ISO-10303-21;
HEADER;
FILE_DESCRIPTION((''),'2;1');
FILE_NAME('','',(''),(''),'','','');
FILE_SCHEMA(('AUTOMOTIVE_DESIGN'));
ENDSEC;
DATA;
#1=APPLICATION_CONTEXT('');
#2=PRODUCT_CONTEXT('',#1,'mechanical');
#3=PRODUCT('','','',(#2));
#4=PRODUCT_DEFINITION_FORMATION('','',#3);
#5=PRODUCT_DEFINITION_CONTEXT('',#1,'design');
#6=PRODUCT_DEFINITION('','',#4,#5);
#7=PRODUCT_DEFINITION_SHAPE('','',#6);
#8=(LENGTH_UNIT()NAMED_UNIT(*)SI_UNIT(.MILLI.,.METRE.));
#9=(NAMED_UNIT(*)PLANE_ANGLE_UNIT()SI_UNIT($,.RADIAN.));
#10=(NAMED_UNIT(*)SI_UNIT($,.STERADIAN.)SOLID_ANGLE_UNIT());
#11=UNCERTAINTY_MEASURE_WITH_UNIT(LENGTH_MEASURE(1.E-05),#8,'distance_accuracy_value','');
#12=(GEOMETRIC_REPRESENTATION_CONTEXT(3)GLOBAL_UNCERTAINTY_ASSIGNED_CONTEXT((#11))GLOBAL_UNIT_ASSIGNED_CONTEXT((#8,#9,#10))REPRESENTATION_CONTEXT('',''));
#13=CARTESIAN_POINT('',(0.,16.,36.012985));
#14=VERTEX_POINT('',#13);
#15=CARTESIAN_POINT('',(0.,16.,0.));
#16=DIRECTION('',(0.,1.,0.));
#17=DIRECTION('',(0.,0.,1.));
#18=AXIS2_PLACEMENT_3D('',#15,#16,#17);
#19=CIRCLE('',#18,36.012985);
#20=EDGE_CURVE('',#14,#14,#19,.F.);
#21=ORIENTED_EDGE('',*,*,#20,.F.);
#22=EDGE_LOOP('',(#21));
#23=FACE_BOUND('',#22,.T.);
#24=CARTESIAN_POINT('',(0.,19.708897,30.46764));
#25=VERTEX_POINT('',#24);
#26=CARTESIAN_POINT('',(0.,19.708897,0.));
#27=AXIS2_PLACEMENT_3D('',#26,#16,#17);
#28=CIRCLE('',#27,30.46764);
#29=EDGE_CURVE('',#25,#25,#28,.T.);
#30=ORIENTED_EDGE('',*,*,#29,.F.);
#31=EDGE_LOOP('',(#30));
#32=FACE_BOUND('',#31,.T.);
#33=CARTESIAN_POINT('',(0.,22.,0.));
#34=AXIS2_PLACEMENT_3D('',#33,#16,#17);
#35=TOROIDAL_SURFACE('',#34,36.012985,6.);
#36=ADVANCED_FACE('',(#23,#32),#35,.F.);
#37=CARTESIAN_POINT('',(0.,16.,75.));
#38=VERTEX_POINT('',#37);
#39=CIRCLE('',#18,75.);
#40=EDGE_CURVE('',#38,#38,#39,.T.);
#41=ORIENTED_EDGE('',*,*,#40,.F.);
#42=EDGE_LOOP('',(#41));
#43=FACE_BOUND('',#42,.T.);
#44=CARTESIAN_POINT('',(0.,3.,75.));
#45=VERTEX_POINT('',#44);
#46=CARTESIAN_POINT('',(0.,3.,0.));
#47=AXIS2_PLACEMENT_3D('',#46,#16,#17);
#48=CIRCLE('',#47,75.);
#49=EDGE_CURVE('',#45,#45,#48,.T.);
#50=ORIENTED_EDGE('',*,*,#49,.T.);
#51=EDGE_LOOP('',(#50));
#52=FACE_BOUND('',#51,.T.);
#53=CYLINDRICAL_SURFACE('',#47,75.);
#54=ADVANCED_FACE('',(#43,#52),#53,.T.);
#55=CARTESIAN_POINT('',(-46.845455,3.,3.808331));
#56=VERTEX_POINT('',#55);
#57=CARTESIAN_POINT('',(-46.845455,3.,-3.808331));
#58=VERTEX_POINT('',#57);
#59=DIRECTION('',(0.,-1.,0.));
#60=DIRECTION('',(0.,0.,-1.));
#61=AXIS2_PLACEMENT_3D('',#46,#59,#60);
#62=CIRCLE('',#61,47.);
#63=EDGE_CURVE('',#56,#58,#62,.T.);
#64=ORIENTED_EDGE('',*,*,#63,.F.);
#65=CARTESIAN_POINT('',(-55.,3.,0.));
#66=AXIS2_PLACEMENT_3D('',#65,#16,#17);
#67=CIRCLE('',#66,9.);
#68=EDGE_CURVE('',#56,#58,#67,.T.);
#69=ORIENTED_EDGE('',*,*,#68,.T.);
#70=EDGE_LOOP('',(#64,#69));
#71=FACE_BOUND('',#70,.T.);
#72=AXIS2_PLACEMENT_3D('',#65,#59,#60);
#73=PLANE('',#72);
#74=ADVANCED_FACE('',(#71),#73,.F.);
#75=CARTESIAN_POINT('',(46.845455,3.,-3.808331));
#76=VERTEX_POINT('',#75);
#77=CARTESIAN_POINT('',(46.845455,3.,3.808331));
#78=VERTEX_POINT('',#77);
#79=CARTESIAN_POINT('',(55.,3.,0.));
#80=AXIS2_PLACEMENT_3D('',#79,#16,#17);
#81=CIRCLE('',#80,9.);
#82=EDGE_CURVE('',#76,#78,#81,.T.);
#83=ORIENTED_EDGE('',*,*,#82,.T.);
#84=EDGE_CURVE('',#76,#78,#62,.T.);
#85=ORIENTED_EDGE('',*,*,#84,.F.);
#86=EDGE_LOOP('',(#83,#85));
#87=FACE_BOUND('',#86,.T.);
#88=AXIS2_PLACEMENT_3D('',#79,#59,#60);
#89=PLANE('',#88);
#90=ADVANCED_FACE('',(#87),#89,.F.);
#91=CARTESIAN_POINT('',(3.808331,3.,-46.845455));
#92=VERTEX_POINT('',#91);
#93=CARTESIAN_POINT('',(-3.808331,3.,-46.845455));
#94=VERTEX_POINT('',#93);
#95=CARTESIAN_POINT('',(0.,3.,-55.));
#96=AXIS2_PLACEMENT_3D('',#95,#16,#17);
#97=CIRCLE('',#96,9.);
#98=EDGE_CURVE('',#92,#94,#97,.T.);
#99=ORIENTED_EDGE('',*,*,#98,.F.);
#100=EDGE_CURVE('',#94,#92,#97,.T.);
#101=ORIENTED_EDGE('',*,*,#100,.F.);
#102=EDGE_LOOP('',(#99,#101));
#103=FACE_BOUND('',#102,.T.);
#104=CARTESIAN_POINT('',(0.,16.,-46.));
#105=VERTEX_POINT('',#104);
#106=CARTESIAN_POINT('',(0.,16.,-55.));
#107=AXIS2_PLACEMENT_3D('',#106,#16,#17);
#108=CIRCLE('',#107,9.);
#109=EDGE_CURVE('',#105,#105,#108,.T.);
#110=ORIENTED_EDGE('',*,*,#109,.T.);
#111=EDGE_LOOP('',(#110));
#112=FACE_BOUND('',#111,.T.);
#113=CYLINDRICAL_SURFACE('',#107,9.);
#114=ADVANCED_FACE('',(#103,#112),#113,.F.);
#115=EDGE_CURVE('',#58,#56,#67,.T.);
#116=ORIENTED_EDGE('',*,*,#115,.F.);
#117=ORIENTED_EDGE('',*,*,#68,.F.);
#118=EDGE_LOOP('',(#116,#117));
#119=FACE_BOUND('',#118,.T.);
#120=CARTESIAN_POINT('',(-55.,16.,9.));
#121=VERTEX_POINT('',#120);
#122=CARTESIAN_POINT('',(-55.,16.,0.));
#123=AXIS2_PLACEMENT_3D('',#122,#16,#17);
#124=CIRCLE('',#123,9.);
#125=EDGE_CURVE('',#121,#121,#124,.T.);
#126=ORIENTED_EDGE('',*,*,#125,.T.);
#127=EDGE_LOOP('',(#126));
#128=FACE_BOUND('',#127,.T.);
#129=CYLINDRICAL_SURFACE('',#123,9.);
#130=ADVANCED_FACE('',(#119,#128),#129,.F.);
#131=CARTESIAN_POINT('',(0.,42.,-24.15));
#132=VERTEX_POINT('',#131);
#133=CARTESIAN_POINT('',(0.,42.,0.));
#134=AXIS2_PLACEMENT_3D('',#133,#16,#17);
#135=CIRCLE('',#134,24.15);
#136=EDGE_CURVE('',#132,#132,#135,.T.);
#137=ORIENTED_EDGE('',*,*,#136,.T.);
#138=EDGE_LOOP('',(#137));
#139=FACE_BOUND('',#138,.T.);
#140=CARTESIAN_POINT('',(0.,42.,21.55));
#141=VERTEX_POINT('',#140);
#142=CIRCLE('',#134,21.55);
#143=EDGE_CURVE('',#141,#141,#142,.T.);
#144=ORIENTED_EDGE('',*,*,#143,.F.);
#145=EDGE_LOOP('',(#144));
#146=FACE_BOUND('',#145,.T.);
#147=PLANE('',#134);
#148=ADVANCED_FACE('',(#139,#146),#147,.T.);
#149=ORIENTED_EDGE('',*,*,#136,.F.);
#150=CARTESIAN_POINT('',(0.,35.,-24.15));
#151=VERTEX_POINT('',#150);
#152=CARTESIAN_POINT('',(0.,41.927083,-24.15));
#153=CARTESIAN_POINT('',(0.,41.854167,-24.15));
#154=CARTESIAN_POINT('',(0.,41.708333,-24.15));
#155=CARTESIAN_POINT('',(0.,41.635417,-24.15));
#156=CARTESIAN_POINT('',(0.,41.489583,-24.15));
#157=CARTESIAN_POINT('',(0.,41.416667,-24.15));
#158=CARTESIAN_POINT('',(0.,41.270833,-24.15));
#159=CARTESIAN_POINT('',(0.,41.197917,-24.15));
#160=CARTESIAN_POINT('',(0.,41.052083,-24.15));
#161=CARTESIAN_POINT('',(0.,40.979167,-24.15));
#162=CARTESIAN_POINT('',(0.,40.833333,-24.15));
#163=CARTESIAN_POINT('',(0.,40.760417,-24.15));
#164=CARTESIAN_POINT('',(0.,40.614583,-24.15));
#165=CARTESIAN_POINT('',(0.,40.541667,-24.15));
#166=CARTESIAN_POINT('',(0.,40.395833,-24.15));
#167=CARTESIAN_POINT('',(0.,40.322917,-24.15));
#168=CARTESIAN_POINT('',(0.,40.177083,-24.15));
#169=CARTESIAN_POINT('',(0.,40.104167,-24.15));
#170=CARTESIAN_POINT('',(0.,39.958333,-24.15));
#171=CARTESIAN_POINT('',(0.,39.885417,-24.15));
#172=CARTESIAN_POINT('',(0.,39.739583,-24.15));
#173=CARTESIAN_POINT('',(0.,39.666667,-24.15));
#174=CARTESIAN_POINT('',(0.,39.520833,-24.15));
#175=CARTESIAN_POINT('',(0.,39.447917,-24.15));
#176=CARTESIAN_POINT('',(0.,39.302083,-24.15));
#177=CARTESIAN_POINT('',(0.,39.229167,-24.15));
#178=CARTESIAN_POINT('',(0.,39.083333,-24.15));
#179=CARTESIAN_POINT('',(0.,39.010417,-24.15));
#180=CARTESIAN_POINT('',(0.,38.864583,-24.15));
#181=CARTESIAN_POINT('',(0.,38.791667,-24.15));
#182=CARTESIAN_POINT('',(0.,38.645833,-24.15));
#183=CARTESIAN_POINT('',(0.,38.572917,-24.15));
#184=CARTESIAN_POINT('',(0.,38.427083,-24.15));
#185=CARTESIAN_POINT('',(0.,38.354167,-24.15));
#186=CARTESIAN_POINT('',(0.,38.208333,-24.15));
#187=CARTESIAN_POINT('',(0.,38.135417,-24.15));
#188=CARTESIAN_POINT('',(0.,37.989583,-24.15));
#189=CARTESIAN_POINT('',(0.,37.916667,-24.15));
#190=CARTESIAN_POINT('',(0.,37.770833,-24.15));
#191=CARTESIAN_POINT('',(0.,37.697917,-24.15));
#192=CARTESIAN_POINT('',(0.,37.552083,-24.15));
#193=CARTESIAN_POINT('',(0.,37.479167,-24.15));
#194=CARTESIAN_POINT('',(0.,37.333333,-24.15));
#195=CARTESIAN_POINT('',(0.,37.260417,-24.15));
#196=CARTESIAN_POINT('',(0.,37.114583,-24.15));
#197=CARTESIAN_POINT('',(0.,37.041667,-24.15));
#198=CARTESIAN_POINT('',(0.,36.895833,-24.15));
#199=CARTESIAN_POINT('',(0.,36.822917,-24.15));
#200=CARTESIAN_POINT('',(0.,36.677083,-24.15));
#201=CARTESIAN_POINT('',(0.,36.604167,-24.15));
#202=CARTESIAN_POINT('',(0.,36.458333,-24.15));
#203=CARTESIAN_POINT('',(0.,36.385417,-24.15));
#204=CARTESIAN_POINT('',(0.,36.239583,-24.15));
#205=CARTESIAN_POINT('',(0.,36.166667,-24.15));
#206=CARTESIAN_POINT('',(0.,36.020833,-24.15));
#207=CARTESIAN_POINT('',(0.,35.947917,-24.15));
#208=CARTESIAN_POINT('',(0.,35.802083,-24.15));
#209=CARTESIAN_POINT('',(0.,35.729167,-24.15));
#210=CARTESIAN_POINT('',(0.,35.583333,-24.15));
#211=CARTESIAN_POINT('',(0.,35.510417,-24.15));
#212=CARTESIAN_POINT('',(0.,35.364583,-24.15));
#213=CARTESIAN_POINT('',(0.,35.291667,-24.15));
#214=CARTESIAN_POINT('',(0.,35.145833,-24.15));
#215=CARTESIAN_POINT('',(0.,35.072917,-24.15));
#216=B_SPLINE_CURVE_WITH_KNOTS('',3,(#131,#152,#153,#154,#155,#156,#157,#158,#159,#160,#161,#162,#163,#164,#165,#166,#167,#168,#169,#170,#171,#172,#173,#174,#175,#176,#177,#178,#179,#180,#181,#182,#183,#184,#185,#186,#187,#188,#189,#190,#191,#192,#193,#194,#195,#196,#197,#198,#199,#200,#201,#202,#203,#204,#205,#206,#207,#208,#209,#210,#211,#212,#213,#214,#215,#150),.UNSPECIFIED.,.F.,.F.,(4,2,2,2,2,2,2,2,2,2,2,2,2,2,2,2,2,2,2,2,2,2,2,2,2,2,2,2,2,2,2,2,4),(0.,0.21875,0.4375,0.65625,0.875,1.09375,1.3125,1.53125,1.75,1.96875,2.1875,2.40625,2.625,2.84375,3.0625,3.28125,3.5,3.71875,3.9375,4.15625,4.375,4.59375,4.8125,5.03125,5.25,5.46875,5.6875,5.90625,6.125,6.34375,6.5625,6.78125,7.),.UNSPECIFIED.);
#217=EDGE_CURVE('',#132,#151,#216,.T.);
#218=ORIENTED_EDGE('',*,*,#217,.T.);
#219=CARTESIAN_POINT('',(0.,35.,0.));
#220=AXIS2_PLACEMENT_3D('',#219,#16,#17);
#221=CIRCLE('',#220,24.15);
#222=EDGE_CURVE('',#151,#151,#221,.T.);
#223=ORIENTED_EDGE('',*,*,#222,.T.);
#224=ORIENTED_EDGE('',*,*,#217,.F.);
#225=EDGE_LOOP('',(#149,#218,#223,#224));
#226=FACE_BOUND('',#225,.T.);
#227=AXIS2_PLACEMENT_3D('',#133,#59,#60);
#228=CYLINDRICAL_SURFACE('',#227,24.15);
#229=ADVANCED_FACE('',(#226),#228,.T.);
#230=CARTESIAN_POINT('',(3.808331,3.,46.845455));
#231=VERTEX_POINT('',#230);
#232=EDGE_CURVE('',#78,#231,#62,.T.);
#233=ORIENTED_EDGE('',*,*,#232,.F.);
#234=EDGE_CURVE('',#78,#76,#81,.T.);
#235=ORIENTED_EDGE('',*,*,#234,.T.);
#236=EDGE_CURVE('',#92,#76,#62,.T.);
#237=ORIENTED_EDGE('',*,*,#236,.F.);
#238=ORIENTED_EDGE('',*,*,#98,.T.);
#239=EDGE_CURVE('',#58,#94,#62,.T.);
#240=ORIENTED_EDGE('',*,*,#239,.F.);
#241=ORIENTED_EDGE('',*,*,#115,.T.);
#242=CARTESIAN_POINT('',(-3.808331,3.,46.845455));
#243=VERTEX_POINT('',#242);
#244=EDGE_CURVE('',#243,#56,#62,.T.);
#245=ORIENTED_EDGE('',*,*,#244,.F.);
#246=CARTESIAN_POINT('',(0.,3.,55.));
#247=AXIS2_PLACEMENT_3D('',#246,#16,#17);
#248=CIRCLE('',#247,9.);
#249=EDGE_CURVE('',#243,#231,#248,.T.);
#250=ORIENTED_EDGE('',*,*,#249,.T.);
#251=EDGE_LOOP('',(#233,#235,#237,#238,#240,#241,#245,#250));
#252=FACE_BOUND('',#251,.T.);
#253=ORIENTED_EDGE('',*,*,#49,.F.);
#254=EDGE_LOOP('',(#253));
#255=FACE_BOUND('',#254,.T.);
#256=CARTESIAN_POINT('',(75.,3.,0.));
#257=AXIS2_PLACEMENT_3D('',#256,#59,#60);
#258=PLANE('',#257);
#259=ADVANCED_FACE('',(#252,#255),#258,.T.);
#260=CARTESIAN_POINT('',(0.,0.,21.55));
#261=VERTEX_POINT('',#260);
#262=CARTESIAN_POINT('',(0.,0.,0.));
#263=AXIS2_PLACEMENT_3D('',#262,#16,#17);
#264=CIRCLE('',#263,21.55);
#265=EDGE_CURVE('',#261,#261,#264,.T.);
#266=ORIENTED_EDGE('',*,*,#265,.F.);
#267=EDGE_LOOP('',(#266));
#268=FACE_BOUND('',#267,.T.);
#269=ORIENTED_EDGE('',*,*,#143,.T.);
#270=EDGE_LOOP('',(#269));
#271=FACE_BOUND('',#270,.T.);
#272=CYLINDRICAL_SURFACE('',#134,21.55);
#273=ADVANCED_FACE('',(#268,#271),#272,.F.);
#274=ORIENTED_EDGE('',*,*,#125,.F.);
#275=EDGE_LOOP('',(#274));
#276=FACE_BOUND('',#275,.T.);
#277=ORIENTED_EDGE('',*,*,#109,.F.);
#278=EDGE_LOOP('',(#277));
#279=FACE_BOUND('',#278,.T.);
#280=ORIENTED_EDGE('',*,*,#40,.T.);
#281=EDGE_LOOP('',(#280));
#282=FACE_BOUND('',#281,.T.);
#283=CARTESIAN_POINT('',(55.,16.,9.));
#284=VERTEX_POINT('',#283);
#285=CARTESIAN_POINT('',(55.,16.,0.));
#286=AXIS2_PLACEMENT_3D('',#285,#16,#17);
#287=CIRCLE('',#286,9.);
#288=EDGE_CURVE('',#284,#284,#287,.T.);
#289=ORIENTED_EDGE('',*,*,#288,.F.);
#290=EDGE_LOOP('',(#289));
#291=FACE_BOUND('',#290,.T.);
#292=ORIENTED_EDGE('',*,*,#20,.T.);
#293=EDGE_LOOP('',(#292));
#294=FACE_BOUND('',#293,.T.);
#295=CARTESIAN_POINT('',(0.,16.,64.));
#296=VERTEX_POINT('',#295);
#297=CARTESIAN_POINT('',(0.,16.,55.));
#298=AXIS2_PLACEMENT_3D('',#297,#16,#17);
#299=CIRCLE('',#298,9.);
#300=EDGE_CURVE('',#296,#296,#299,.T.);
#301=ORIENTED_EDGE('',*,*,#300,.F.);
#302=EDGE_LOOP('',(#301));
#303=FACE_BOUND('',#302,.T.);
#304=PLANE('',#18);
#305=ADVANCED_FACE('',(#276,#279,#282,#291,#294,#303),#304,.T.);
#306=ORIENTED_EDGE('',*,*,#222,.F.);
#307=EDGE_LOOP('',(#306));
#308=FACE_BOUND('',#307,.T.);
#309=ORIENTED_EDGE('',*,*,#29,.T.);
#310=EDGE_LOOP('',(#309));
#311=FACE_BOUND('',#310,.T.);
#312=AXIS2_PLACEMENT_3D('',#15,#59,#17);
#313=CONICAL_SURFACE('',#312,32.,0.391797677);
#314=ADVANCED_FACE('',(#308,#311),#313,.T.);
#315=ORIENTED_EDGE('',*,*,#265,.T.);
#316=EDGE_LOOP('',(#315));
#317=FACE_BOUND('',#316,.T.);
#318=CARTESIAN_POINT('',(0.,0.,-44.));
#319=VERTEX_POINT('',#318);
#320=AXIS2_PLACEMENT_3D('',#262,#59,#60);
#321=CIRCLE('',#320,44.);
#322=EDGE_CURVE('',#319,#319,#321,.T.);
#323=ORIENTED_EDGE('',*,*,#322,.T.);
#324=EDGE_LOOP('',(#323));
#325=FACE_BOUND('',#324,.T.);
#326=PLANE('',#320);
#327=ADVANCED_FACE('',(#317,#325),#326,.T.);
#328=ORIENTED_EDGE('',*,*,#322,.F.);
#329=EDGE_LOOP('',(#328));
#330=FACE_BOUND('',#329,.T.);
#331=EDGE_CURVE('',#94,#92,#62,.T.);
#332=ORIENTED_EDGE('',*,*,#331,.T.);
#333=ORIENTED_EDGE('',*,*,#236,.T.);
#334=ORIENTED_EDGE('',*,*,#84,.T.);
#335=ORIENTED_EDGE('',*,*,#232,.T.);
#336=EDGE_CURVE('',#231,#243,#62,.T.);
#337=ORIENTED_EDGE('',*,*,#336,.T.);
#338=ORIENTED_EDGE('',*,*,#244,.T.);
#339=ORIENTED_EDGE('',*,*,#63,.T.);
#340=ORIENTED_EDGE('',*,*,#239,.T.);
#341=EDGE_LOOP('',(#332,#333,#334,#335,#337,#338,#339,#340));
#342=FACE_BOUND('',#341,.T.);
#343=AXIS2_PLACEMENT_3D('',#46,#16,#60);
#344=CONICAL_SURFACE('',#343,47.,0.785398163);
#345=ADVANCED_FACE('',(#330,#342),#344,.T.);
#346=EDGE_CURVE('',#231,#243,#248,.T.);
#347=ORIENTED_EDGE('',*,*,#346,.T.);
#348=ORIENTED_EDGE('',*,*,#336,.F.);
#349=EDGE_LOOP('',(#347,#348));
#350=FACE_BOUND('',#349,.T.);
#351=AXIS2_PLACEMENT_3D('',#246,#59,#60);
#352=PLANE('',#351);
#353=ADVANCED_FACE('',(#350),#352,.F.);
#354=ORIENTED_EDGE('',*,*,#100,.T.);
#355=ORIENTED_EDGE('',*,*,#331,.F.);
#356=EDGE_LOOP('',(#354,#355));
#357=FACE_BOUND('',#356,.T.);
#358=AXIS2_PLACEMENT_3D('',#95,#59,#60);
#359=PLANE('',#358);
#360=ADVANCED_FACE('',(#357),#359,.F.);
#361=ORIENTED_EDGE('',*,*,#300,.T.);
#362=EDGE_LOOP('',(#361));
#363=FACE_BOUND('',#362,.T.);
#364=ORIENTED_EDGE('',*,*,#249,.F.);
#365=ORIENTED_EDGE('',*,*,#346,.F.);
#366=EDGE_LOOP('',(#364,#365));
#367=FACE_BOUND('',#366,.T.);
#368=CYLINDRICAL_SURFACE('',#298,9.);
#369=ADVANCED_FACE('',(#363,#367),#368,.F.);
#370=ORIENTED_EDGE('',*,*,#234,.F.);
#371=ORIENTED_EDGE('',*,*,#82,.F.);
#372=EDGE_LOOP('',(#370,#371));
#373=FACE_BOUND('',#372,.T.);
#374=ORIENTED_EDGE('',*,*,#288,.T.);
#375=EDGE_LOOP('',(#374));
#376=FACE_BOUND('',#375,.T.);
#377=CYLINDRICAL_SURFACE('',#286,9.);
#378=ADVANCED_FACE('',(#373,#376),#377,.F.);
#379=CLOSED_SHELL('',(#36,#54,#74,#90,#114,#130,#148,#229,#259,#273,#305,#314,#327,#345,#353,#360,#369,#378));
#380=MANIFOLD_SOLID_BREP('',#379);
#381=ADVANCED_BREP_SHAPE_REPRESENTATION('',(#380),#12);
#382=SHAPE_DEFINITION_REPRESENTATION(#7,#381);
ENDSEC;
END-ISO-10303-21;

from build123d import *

# Parameters (mm, degrees)
SZKIC1_W                    = 75
SZKIC1_H                    = 13
SZKIC2_R                    = 32
DODANIE_WYCI_GNI_CIE1_DEPTH = 19
DODANIE_WYCI_GNI_CIE1_TAPER = 22.448353305
SZKIC3_R                    = 24.15
DODANIE_WYCI_GNI_CIE2_DEPTH = 7
SZKIC4_R                    = 47
DODANIE_WYCI_GNI_CIE3_DEPTH = 3
DODANIE_WYCI_GNI_CIE3_TAPER = 45
OTW_R_18_0_18_1_D           = 18
OTW_R_18_0_18_1_DEPTH       = 13
OTW_R_POD_RUB_M391_D        = 43.1
ZAOKR_GLENIE1_R             = 6


with BuildPart() as part:
    # Szkic1 → Obrót1 (revolve)
    with BuildSketch(Plane(origin=(0, 0, 0), x_dir=(-1, 0, 0), z_dir=(0, 0, -1)), mode=Mode.PRIVATE) as obr_t1_sk:
        with Locations((-37.5, 9.5)):
            Rectangle(SZKIC1_W, SZKIC1_H)
    revolve(obr_t1_sk.sketch.rotate(Axis((0, 3, 0), (0, 1, 0)), 270), axis=Axis((0, 3, 0), (0, 1, 0)))

    # Szkic2 → Dodanie-wyciągnięcie1 (add)
    with BuildSketch(Plane(origin=(0, 16, 0), x_dir=(-1, 0, 0), z_dir=(0, 1, 0))):
        Circle(SZKIC2_R)
    extrude(amount=DODANIE_WYCI_GNI_CIE1_DEPTH, taper=DODANIE_WYCI_GNI_CIE1_TAPER)

    # Szkic3 → Dodanie-wyciągnięcie2 (add)
    with BuildSketch(Plane(origin=(0, 35, 0), x_dir=(-1, 0, 0), z_dir=(0, 1, 0))):
        with Locations(Location((0, 0, 0), (0, 0, 270))):
            Circle(SZKIC3_R)
    extrude(amount=DODANIE_WYCI_GNI_CIE2_DEPTH)

    # Szkic4 → Dodanie-wyciągnięcie3 (add)
    with BuildSketch(Plane.XZ.offset(-3)):
        Circle(SZKIC4_R)
    extrude(amount=DODANIE_WYCI_GNI_CIE3_DEPTH, taper=DODANIE_WYCI_GNI_CIE3_TAPER)

    # Otwór Ø18.0 (18)1
    with Locations(Plane(origin=(0, 16, 0), x_dir=(1, 0, 0), z_dir=(0, 1, 0))):
        with Locations((-55, 0), (55, 0), (0, -55), (0, 55)):
            Hole(OTW_R_18_0_18_1_D / 2, depth=OTW_R_18_0_18_1_DEPTH)

    # Otwór pod śrubę M391 (through all)
    with Locations(Plane(origin=(0, 42, 0), x_dir=(1, 0, 0), z_dir=(0, 1, 0))):
        with Locations((0, 0)):
            Hole(OTW_R_POD_RUB_M391_D / 2)

    # Zaokrąglenie1
    zaokr_glenie1_edges = [part.edges().sort_by_distance(p)[0] for p in [
        (32, 16, 0),
    ]]
    fillet(zaokr_glenie1_edges, radius=ZAOKR_GLENIE1_R)


solid = part.part
